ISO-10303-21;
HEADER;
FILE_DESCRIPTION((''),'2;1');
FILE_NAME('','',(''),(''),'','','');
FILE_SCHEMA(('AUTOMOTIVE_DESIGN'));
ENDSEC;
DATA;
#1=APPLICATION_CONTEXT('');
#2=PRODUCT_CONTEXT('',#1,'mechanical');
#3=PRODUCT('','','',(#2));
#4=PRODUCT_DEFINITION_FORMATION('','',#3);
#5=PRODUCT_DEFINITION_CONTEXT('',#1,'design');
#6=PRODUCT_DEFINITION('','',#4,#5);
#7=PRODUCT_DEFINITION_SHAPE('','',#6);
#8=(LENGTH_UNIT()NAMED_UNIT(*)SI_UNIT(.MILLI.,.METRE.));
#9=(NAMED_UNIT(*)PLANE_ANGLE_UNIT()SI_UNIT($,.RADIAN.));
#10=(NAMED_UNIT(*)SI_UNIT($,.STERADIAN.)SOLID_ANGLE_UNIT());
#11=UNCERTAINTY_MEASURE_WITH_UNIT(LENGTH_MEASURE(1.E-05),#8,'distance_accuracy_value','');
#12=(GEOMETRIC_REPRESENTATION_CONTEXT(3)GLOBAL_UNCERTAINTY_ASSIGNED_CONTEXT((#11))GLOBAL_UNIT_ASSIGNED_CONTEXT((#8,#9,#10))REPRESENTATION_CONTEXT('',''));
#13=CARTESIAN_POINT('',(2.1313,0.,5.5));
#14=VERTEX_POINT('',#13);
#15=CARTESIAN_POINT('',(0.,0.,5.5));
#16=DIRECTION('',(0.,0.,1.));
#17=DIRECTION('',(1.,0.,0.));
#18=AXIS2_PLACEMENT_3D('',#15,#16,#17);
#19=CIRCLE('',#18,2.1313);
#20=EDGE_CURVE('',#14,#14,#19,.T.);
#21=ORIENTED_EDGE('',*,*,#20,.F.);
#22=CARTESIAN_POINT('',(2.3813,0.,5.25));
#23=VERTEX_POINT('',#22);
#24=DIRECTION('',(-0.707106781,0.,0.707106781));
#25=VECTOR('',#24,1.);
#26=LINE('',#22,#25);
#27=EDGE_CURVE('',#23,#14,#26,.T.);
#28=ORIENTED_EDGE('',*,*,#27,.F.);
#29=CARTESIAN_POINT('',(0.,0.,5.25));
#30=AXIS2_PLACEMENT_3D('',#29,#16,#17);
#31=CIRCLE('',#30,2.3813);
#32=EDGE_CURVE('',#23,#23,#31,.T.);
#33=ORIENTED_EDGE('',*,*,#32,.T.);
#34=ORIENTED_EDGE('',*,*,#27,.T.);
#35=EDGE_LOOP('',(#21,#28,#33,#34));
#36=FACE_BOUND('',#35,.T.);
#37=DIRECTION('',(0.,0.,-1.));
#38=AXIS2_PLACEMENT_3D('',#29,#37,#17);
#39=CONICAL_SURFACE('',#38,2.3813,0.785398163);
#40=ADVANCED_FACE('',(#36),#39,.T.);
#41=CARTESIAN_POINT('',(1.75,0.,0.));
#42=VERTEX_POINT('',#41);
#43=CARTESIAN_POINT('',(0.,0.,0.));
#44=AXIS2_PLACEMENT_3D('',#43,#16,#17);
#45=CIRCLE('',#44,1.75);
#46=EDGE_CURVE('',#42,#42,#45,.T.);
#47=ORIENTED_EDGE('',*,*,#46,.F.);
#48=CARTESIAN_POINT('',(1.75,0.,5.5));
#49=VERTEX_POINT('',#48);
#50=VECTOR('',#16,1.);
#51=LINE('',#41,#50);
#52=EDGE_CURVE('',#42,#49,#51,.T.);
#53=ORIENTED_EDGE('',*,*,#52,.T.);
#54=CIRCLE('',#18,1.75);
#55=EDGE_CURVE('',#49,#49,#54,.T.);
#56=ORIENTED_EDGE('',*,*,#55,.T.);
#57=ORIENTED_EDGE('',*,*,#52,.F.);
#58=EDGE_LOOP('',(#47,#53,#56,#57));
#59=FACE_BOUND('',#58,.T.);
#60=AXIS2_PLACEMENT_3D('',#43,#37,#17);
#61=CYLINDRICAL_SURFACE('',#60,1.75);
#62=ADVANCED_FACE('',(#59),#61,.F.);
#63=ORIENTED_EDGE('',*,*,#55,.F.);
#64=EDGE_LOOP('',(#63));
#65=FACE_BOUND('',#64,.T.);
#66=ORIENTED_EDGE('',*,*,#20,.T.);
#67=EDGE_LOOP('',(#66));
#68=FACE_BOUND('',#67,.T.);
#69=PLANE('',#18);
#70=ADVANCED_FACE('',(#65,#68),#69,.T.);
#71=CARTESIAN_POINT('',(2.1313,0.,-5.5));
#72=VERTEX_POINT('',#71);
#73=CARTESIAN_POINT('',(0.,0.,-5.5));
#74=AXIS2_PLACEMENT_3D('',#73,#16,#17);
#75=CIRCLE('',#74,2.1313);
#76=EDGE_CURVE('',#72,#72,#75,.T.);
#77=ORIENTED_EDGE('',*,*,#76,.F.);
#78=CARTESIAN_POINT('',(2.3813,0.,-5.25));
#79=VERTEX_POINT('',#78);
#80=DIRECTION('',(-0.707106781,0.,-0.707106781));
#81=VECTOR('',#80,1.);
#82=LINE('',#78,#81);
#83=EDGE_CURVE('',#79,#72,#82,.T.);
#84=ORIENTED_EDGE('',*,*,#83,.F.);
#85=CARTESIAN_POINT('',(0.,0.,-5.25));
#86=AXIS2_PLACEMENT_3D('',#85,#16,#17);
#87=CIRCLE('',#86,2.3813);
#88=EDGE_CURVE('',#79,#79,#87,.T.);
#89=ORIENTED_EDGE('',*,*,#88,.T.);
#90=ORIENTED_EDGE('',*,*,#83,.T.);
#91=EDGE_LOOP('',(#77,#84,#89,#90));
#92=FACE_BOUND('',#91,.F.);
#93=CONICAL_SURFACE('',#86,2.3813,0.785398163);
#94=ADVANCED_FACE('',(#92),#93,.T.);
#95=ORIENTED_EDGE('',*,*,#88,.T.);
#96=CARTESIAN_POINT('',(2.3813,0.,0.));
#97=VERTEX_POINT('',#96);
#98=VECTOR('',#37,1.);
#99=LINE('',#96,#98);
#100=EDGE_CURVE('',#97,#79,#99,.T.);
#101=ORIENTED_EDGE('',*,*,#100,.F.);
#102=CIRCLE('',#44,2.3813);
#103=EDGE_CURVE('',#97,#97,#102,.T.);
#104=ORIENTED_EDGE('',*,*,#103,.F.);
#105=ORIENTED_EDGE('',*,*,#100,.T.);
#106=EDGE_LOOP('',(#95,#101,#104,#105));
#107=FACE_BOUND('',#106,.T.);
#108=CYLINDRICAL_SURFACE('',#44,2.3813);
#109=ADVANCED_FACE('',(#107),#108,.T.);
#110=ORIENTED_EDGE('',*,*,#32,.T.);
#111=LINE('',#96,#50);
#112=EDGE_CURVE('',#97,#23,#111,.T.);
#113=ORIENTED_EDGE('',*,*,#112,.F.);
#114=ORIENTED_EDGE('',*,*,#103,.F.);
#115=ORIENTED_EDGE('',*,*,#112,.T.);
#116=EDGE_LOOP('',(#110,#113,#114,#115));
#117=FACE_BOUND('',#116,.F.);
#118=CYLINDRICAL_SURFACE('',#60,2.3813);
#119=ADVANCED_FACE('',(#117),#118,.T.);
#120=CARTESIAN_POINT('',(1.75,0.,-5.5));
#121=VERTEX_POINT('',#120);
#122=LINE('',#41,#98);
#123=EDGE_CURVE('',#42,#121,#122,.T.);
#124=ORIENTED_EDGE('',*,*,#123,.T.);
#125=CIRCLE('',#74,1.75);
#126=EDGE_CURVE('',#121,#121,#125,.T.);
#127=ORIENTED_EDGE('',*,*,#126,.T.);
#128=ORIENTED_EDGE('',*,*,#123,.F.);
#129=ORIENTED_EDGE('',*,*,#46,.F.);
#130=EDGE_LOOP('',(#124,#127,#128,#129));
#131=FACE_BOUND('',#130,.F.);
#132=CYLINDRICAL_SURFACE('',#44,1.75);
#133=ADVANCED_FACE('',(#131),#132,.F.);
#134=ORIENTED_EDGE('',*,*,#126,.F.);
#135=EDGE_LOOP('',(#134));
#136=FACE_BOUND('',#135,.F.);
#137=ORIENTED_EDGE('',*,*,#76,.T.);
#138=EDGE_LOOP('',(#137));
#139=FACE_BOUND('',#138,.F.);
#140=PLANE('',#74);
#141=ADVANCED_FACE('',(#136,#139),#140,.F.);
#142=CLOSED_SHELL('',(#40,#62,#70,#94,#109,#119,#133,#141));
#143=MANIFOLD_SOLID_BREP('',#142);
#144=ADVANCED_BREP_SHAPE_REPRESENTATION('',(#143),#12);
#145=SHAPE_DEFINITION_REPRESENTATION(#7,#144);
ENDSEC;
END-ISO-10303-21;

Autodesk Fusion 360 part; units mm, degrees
sketch "Sketch1" plane through (0, 0, 0) normal (0, 0, 1) x (1, 0, 0)
  circle A0 centre (0, 0) radius 2.3813
  circle A1 centre (0, 0) radius 1.75
  dimension "d1" = 4.7625
  dimension "d2" = 3.5
extrude "Extrude1" add sketch "Sketch1" along normal mid plane 11
chamfer "Chamfer1" distance 0.25 angle 45 2 edges at (-2.2201, 0.8611, -5.5) (-2.2201, -0.8611, 5.5)
